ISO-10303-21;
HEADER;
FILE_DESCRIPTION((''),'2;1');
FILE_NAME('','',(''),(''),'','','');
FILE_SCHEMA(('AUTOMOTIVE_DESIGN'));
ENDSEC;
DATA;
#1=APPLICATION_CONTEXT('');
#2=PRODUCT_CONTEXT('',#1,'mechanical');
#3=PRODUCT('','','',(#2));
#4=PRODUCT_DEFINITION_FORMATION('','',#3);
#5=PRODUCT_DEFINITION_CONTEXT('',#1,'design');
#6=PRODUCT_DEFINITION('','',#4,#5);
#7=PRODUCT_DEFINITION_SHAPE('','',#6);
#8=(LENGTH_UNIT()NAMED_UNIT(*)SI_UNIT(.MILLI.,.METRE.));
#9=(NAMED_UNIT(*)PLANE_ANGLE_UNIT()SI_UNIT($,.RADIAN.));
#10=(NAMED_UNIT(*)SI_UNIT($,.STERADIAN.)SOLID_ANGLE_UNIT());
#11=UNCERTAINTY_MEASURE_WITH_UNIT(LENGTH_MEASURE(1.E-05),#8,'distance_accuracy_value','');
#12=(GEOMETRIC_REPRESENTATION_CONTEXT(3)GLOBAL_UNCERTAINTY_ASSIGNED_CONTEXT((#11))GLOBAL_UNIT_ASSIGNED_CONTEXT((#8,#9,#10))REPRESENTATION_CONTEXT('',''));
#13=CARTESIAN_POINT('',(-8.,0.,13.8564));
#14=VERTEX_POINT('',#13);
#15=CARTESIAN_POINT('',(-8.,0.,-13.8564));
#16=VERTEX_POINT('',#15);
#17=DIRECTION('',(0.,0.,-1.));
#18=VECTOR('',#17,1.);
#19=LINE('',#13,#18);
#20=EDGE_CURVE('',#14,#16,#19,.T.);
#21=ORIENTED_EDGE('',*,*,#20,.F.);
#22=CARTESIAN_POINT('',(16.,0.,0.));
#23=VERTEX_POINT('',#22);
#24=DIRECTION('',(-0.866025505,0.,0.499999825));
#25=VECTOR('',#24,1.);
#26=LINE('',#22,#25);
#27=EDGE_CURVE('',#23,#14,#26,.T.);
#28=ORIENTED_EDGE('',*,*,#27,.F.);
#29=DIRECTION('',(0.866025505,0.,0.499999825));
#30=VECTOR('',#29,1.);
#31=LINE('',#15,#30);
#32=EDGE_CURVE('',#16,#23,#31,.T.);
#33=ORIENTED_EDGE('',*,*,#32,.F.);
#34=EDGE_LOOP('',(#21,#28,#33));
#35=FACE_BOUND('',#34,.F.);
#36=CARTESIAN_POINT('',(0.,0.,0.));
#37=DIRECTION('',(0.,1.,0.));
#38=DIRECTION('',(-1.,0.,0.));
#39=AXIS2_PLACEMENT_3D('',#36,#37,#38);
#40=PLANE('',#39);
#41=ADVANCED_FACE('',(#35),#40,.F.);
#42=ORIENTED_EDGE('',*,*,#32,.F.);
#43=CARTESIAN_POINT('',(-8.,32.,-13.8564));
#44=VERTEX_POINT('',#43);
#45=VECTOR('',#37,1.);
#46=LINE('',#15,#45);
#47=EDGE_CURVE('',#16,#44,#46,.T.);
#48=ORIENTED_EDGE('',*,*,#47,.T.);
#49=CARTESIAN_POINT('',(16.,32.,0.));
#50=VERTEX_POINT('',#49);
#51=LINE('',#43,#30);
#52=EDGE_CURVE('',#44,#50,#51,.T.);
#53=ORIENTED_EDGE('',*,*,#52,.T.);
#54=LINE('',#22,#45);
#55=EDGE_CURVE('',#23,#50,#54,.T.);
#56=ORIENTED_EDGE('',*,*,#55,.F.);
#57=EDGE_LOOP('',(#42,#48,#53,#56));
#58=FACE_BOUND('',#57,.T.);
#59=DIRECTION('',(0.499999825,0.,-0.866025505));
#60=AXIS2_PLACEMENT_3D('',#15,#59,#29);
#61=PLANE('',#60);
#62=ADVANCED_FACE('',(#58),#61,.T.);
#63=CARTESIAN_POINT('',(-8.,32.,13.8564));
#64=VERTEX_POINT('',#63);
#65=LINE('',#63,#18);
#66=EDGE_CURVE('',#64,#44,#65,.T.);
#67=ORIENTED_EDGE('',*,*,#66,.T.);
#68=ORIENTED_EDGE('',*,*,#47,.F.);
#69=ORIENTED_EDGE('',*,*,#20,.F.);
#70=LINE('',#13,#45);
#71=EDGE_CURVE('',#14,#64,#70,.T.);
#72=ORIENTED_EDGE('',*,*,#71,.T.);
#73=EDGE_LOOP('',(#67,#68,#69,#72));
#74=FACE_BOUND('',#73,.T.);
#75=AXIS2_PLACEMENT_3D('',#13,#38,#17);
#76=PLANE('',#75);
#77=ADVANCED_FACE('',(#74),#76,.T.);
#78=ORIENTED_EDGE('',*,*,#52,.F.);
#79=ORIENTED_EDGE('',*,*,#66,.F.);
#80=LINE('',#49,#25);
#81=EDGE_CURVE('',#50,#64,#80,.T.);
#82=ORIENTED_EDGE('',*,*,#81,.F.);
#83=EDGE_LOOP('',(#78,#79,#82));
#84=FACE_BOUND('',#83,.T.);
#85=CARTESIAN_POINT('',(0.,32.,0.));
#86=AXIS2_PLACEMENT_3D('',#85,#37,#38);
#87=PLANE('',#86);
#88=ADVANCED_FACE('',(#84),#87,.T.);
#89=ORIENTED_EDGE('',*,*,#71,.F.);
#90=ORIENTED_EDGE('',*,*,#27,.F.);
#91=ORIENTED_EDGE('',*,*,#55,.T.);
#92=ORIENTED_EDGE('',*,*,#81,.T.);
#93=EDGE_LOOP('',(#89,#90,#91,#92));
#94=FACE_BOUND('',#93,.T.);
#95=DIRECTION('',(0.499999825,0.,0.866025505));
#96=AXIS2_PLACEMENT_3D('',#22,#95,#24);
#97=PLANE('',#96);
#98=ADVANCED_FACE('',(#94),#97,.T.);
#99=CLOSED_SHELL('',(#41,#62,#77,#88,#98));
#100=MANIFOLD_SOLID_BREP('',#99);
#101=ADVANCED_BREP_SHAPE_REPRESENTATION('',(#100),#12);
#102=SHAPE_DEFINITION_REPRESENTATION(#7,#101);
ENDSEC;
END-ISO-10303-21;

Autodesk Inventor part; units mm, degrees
ref_plane "YZ Plane" through (0, 0, 0) normal (1, 0, 0) x (0, 1, 0)
ref_plane "XZ Plane" through (0, 0, 0) normal (0, 1, 0) x (-1, 0, 0)
ref_plane "XY Plane" through (0, 0, 0) normal (0, 0, 1) x (1, 0, 0)
sketch "Sketch1" plane through (0, 0, 0) normal (0, 1, 0) x (-1, 0, 0)
  line L0 (0, 0) -> (-16, 0)
  line L1 (-16, 0) -> (8, 13.8564)
  line L2 (8, 13.8564) -> (8, -13.8564)
  line L3 (8, -13.8564) -> (-16, 0)
  dimension "d0" = 16
extrude "Extrusion1" add sketch "Sketch1" along normal blind 32
properties part number "Triangle"
